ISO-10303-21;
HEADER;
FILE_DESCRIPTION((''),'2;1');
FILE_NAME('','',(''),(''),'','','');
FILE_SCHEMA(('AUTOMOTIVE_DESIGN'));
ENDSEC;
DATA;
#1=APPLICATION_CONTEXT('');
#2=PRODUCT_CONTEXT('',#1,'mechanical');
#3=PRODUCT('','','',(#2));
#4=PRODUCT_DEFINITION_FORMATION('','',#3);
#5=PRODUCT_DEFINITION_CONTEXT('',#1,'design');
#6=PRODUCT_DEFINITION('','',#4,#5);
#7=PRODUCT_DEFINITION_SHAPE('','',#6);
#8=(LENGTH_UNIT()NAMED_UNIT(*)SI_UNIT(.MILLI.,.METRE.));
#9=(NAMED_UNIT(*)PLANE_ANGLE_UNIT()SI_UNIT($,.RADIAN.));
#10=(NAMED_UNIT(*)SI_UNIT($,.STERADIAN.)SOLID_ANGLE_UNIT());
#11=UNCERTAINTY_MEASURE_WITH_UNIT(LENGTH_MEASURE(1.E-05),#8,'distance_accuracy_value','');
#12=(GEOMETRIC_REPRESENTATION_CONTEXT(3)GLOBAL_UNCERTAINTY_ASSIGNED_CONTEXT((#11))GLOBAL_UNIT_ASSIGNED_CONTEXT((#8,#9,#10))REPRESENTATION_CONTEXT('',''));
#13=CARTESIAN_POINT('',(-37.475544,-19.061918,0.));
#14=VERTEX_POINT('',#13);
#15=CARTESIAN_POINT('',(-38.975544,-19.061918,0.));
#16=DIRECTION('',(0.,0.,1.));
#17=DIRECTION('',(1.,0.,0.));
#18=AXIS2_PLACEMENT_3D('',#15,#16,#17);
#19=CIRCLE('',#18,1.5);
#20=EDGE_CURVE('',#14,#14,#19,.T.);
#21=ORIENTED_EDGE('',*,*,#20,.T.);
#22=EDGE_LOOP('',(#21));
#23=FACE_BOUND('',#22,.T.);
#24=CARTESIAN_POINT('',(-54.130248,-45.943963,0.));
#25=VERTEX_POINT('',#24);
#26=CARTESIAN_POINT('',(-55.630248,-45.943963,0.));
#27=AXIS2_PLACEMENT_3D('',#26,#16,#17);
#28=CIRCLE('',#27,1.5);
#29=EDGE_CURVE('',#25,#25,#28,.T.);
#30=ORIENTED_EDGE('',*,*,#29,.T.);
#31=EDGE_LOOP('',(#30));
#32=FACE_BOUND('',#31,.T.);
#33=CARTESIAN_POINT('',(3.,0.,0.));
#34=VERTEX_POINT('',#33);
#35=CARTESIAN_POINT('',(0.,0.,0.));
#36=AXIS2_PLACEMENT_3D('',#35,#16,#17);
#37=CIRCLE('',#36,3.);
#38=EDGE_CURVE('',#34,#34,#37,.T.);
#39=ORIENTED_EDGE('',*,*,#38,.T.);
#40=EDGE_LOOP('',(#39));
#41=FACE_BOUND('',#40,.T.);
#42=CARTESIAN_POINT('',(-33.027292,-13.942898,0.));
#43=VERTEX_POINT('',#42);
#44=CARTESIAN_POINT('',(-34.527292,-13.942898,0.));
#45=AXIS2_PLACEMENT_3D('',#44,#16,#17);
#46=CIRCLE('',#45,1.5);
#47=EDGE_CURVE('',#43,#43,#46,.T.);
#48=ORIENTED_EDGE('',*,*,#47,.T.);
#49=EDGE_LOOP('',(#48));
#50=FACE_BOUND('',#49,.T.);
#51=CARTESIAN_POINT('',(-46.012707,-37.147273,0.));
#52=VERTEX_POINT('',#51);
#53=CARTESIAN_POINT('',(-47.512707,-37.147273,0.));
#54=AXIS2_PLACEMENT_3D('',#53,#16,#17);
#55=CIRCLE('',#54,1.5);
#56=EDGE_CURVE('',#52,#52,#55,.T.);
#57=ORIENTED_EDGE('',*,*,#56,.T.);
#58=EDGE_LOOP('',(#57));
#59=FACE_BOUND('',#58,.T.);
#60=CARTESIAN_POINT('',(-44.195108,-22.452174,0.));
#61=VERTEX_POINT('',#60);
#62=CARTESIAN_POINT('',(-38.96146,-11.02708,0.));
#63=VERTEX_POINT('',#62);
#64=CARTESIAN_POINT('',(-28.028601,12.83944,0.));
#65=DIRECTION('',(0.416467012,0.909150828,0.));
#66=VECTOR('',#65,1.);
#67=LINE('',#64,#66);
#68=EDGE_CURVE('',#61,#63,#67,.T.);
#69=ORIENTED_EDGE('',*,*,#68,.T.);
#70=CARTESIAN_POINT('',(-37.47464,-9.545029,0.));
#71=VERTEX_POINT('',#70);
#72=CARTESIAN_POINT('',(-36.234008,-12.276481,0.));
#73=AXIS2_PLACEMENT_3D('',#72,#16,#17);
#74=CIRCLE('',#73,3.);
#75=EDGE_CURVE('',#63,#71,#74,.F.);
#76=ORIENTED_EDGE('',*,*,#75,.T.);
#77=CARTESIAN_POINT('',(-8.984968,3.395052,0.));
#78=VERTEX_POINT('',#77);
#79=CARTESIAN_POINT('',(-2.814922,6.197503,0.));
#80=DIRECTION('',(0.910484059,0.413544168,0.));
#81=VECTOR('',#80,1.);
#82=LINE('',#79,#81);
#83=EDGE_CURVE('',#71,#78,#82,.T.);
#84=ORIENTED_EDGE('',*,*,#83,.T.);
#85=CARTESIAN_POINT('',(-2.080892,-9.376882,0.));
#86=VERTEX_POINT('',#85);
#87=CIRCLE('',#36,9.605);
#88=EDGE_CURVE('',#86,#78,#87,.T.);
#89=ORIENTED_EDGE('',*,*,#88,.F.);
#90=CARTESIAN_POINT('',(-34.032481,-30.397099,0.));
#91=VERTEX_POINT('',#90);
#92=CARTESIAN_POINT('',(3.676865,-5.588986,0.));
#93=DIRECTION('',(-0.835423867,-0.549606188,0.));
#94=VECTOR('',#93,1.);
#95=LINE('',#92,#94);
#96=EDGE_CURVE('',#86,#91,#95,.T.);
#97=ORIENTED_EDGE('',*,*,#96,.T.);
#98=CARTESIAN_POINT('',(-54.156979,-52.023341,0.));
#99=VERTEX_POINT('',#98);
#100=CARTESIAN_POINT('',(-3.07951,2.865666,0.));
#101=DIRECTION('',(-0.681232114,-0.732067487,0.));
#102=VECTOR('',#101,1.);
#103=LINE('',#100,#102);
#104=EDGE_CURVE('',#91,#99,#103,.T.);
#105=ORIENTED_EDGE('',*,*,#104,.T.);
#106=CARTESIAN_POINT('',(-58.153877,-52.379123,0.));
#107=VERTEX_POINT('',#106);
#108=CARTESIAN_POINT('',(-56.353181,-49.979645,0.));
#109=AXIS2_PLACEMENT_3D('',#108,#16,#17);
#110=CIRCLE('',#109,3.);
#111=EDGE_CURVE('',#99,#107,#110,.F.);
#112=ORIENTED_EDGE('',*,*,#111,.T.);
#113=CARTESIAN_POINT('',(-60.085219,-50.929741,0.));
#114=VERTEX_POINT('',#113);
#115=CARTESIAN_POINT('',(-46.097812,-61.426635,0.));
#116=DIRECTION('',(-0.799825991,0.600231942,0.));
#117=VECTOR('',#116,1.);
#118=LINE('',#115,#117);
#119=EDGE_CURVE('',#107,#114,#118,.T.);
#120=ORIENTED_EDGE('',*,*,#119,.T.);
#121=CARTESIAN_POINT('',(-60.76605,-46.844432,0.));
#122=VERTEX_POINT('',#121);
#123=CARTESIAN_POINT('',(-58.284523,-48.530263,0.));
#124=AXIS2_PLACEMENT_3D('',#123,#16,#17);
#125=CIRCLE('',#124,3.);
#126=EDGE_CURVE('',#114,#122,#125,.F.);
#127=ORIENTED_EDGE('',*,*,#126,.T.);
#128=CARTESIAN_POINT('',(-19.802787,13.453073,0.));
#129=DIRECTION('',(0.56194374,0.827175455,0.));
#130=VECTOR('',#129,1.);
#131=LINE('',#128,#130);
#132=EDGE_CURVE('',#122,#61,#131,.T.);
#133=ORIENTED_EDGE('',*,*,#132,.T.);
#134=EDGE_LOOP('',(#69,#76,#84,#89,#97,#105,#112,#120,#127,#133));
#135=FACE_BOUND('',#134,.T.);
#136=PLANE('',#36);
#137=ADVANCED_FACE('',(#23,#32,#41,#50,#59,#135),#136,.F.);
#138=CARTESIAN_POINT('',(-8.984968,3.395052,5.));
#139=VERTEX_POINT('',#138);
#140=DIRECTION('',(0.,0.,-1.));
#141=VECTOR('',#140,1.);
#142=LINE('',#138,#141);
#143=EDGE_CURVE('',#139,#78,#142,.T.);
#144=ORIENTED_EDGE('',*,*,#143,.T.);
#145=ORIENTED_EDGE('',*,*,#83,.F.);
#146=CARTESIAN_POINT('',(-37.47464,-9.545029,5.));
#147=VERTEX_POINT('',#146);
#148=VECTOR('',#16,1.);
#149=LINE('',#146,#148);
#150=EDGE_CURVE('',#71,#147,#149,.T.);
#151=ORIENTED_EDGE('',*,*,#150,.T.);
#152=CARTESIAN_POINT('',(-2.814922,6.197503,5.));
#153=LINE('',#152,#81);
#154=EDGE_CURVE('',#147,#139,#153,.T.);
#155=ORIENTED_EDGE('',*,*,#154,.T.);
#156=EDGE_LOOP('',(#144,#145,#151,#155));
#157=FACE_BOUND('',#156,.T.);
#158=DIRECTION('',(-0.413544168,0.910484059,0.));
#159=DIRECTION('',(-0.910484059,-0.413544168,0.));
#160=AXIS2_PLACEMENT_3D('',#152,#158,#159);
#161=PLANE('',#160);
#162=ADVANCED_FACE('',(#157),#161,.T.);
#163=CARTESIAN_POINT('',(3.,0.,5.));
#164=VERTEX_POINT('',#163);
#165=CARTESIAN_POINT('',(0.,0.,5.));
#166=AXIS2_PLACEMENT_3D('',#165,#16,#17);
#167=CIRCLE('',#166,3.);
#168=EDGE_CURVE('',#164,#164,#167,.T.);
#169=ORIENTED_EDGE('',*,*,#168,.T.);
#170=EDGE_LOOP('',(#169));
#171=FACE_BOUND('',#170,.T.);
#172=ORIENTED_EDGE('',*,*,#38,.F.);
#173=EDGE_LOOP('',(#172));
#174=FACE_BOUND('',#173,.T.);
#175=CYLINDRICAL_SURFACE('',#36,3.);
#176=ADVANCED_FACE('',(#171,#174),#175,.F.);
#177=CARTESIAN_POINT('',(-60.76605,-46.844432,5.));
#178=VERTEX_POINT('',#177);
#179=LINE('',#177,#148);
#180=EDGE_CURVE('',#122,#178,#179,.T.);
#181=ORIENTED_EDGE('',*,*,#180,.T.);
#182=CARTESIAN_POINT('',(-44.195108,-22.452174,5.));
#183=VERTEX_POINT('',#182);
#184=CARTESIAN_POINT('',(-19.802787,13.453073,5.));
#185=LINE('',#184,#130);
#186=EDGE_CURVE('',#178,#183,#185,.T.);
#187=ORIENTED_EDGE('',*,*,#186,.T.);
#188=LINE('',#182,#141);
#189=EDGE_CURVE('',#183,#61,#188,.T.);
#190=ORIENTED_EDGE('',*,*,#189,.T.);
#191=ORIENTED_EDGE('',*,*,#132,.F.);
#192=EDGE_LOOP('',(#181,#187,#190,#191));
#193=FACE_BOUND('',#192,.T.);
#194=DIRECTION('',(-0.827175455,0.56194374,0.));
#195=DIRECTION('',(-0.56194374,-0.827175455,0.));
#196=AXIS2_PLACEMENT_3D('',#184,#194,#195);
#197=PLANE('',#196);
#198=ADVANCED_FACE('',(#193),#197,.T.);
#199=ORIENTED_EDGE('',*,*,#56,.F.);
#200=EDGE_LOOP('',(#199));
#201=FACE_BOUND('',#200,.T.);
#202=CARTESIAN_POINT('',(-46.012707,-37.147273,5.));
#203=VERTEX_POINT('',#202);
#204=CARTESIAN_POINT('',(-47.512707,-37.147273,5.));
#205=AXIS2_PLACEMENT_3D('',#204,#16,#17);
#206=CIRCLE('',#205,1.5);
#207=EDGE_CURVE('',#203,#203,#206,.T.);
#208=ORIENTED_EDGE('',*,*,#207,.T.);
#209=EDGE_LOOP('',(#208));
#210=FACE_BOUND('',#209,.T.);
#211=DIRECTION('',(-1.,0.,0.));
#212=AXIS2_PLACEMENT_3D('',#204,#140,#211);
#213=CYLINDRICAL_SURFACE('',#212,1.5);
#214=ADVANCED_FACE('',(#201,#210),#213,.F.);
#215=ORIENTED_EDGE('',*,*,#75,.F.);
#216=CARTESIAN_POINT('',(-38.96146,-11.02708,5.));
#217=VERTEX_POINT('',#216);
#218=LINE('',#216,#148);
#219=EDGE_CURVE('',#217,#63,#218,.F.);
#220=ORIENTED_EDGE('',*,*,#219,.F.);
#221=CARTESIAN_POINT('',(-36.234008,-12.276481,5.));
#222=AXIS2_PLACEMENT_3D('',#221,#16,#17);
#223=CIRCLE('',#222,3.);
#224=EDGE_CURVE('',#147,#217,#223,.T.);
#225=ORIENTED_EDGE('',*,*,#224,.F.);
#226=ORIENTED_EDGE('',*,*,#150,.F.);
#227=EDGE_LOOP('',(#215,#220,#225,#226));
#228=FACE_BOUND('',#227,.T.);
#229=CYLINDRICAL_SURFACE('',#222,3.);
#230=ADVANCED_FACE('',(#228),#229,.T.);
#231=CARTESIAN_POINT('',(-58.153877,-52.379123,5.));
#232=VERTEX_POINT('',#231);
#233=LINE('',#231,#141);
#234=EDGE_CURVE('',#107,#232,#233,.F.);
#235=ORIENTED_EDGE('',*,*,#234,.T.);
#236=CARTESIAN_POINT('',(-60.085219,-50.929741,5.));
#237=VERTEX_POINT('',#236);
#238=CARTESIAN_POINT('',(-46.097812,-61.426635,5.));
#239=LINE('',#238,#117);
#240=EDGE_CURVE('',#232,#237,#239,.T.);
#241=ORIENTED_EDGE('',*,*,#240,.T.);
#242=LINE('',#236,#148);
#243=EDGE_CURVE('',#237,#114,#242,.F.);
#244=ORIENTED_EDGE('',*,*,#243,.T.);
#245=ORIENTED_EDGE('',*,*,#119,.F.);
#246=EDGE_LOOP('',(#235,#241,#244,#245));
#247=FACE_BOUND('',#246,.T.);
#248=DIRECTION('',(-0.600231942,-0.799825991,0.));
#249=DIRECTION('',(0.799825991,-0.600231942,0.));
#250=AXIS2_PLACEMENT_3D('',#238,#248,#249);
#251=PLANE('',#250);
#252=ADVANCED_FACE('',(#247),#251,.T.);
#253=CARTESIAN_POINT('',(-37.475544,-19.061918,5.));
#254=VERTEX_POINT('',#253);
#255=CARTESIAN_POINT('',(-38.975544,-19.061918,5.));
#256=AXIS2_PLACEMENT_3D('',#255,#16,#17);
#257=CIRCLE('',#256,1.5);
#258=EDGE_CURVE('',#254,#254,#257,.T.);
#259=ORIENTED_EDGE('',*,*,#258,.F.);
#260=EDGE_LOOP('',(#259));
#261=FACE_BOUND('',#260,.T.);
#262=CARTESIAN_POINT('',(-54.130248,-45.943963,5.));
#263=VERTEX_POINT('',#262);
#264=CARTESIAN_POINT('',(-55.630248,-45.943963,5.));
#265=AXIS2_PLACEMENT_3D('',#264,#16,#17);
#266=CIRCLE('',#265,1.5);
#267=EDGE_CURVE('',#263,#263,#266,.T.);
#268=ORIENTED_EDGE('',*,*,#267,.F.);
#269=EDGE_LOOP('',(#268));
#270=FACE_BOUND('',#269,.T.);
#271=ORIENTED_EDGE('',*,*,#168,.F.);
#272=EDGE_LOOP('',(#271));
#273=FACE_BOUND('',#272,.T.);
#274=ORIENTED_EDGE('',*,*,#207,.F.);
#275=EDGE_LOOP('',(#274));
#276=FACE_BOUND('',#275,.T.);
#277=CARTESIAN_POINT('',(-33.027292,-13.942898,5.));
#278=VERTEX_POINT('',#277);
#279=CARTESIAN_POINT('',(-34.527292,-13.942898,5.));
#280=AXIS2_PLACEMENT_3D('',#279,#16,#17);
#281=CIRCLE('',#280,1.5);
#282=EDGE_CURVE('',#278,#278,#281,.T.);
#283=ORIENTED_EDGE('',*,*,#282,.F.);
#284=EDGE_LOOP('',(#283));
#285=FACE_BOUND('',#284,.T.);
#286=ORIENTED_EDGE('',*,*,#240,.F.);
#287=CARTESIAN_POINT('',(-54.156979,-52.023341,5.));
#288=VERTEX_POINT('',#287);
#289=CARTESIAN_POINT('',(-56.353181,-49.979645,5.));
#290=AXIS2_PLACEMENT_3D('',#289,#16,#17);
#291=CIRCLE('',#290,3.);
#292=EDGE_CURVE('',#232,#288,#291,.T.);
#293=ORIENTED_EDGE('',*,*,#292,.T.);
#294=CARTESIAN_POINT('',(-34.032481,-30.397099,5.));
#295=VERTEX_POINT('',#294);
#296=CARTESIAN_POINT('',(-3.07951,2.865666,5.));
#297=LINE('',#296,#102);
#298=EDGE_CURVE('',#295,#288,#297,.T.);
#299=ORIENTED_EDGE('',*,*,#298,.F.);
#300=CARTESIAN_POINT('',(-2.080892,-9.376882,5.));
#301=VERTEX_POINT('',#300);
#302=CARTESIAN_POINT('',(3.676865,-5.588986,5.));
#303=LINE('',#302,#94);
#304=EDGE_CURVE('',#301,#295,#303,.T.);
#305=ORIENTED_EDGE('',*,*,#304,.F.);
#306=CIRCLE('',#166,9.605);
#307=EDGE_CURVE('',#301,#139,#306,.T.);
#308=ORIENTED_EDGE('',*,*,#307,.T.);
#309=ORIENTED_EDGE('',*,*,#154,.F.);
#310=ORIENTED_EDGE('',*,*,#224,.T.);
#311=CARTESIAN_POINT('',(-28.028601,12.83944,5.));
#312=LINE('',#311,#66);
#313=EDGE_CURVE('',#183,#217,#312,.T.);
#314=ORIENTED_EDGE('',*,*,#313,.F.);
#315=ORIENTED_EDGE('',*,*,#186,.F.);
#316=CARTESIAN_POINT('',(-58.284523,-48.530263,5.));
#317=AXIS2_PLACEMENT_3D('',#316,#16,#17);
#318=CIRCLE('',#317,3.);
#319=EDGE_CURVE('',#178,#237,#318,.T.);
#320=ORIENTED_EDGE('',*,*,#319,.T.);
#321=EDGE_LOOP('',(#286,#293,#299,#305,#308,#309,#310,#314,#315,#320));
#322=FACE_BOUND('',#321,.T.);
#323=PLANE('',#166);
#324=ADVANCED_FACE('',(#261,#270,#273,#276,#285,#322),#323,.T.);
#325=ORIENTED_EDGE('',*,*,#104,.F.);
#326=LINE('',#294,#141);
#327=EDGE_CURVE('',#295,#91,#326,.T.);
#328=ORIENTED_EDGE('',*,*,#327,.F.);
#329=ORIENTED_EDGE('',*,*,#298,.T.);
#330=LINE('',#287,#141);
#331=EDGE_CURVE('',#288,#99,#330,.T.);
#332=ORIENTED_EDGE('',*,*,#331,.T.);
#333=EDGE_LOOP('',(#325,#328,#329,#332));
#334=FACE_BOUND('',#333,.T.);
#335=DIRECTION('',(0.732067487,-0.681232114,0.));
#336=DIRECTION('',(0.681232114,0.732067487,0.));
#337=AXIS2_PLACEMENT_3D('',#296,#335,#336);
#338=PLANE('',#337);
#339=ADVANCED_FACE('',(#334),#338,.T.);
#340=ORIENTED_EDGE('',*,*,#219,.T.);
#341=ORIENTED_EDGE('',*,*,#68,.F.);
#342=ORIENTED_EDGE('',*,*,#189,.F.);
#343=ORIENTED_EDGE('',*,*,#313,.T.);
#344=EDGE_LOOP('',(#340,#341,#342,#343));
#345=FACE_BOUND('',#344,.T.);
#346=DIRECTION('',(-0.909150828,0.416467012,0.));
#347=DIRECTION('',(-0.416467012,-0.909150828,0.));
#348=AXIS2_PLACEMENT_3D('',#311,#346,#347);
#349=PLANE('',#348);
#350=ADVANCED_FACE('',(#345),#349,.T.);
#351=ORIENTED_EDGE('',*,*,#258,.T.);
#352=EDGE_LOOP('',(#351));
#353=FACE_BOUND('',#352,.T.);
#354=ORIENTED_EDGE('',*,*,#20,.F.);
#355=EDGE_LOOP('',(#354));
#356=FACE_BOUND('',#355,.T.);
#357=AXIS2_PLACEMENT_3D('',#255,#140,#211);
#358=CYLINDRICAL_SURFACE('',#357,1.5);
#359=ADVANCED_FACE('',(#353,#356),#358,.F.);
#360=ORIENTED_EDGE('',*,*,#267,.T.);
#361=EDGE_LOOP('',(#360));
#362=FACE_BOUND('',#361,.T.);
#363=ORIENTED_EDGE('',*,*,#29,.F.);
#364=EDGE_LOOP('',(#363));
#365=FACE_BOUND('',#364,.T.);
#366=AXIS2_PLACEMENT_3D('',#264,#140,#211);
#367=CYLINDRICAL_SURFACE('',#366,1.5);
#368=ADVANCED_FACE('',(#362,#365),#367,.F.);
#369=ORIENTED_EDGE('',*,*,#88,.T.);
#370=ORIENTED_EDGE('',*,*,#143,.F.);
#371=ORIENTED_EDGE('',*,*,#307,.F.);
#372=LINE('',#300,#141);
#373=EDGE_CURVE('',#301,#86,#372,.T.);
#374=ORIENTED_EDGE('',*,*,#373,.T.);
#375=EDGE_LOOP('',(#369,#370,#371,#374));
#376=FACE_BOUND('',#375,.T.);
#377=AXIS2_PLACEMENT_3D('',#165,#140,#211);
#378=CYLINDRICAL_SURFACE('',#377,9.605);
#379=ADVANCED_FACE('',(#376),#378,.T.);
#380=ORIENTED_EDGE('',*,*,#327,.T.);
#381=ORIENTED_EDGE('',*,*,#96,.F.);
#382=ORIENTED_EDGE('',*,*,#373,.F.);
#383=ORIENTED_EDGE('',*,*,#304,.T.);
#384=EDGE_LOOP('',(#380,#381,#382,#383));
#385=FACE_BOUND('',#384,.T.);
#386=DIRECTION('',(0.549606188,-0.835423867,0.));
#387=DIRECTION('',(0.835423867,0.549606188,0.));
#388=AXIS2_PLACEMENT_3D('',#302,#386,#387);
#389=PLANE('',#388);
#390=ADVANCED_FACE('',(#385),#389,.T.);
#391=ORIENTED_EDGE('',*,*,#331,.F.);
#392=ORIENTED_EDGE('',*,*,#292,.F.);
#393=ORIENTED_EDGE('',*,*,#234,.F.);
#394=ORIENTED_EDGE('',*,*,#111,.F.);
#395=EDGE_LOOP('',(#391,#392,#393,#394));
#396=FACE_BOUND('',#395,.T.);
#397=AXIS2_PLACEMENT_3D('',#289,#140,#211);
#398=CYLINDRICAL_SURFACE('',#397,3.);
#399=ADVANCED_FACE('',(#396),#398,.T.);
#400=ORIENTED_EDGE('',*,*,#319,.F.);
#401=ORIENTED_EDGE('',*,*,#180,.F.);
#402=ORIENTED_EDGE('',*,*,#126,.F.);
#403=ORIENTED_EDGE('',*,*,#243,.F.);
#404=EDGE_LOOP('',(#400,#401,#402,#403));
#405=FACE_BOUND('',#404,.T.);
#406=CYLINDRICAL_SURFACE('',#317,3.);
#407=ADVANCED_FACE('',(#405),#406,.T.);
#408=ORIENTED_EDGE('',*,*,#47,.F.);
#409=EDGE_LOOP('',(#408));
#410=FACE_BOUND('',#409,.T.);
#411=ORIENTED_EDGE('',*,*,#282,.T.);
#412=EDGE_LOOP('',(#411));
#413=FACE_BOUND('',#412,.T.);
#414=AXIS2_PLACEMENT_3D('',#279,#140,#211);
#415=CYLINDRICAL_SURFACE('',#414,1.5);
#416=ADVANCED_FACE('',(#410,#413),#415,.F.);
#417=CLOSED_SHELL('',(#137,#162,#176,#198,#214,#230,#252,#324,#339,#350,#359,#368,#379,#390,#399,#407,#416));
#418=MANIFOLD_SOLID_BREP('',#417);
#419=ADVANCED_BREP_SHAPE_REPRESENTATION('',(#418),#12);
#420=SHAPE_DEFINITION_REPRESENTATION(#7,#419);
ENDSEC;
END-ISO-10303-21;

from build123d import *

# Parameters (mm, degrees)
SKETCH_1_R          = 1.5
EXTRUDE_1_DEPTH     = 5
FILLET_1_R          = 3
FILLET_2_R          = 3
FILLET_3_R          = 3
SKETCH_4_R          = 3
CUT_EXTRUDE_1_DEPTH = 82.164250349


with BuildPart() as part:
    # 草图1 → 凸台-拉伸1 (new body)
    with BuildSketch(Plane.XY):
        with BuildLine():
            Line((-2.080891717, -9.376881926), (-34.032481316, -30.39709937))
            Line((-34.032481316, -30.39709937), (-55.995404685, -53.998955167))
            Line((-55.995404685, -53.998955167), (-62.374359774, -49.211848164))
            Line((-62.374359774, -49.211848164), (-44.195107683, -22.4521745))
            Line((-44.195107683, -22.4521745), (-38.494818087, -10.008396594))
            Line((-38.494818087, -10.008396594), (-8.984967737, 3.395052247))
            ThreePointArc((-8.984967737, 3.395052247), (8.44949034, 4.567508949), (-2.080891717, -9.376881926))
        make_face()
        with Locations((-38.975543913, -19.061918057)):
            Circle(SKETCH_1_R, mode=Mode.SUBTRACT)
        with Locations((-34.52729214, -13.94289816)):
            Circle(SKETCH_1_R, mode=Mode.SUBTRACT)
        with Locations((-47.512706739, -37.147272562)):
            Circle(SKETCH_1_R, mode=Mode.SUBTRACT)
        with Locations((-55.63024758, -45.943962561)):
            Circle(SKETCH_1_R, mode=Mode.SUBTRACT)
    extrude(amount=EXTRUDE_1_DEPTH)

    # 圆角1
    fillet_1_edges = [part.edges().sort_by_distance(p)[0] for p in [
        (-55.995404685, -53.998955167, 2.5),
    ]]
    fillet(fillet_1_edges, radius=FILLET_1_R)

    # 圆角2
    fillet_2_edges = [part.edges().sort_by_distance(p)[0] for p in [
        (-62.374359774, -49.211848164, 2.5),
    ]]
    fillet(fillet_2_edges, radius=FILLET_2_R)

    # 圆角3
    fillet_3_edges = [part.edges().sort_by_distance(p)[0] for p in [
        (-38.494818087, -10.008396594, 2.5),
    ]]
    fillet(fillet_3_edges, radius=FILLET_3_R)

    # 草图4 → 切除-拉伸1 (cut, through all)
    with BuildSketch(Plane.XY.offset(5)):
        Circle(SKETCH_4_R)
    extrude(amount=-CUT_EXTRUDE_1_DEPTH, mode=Mode.SUBTRACT)


solid = part.part
